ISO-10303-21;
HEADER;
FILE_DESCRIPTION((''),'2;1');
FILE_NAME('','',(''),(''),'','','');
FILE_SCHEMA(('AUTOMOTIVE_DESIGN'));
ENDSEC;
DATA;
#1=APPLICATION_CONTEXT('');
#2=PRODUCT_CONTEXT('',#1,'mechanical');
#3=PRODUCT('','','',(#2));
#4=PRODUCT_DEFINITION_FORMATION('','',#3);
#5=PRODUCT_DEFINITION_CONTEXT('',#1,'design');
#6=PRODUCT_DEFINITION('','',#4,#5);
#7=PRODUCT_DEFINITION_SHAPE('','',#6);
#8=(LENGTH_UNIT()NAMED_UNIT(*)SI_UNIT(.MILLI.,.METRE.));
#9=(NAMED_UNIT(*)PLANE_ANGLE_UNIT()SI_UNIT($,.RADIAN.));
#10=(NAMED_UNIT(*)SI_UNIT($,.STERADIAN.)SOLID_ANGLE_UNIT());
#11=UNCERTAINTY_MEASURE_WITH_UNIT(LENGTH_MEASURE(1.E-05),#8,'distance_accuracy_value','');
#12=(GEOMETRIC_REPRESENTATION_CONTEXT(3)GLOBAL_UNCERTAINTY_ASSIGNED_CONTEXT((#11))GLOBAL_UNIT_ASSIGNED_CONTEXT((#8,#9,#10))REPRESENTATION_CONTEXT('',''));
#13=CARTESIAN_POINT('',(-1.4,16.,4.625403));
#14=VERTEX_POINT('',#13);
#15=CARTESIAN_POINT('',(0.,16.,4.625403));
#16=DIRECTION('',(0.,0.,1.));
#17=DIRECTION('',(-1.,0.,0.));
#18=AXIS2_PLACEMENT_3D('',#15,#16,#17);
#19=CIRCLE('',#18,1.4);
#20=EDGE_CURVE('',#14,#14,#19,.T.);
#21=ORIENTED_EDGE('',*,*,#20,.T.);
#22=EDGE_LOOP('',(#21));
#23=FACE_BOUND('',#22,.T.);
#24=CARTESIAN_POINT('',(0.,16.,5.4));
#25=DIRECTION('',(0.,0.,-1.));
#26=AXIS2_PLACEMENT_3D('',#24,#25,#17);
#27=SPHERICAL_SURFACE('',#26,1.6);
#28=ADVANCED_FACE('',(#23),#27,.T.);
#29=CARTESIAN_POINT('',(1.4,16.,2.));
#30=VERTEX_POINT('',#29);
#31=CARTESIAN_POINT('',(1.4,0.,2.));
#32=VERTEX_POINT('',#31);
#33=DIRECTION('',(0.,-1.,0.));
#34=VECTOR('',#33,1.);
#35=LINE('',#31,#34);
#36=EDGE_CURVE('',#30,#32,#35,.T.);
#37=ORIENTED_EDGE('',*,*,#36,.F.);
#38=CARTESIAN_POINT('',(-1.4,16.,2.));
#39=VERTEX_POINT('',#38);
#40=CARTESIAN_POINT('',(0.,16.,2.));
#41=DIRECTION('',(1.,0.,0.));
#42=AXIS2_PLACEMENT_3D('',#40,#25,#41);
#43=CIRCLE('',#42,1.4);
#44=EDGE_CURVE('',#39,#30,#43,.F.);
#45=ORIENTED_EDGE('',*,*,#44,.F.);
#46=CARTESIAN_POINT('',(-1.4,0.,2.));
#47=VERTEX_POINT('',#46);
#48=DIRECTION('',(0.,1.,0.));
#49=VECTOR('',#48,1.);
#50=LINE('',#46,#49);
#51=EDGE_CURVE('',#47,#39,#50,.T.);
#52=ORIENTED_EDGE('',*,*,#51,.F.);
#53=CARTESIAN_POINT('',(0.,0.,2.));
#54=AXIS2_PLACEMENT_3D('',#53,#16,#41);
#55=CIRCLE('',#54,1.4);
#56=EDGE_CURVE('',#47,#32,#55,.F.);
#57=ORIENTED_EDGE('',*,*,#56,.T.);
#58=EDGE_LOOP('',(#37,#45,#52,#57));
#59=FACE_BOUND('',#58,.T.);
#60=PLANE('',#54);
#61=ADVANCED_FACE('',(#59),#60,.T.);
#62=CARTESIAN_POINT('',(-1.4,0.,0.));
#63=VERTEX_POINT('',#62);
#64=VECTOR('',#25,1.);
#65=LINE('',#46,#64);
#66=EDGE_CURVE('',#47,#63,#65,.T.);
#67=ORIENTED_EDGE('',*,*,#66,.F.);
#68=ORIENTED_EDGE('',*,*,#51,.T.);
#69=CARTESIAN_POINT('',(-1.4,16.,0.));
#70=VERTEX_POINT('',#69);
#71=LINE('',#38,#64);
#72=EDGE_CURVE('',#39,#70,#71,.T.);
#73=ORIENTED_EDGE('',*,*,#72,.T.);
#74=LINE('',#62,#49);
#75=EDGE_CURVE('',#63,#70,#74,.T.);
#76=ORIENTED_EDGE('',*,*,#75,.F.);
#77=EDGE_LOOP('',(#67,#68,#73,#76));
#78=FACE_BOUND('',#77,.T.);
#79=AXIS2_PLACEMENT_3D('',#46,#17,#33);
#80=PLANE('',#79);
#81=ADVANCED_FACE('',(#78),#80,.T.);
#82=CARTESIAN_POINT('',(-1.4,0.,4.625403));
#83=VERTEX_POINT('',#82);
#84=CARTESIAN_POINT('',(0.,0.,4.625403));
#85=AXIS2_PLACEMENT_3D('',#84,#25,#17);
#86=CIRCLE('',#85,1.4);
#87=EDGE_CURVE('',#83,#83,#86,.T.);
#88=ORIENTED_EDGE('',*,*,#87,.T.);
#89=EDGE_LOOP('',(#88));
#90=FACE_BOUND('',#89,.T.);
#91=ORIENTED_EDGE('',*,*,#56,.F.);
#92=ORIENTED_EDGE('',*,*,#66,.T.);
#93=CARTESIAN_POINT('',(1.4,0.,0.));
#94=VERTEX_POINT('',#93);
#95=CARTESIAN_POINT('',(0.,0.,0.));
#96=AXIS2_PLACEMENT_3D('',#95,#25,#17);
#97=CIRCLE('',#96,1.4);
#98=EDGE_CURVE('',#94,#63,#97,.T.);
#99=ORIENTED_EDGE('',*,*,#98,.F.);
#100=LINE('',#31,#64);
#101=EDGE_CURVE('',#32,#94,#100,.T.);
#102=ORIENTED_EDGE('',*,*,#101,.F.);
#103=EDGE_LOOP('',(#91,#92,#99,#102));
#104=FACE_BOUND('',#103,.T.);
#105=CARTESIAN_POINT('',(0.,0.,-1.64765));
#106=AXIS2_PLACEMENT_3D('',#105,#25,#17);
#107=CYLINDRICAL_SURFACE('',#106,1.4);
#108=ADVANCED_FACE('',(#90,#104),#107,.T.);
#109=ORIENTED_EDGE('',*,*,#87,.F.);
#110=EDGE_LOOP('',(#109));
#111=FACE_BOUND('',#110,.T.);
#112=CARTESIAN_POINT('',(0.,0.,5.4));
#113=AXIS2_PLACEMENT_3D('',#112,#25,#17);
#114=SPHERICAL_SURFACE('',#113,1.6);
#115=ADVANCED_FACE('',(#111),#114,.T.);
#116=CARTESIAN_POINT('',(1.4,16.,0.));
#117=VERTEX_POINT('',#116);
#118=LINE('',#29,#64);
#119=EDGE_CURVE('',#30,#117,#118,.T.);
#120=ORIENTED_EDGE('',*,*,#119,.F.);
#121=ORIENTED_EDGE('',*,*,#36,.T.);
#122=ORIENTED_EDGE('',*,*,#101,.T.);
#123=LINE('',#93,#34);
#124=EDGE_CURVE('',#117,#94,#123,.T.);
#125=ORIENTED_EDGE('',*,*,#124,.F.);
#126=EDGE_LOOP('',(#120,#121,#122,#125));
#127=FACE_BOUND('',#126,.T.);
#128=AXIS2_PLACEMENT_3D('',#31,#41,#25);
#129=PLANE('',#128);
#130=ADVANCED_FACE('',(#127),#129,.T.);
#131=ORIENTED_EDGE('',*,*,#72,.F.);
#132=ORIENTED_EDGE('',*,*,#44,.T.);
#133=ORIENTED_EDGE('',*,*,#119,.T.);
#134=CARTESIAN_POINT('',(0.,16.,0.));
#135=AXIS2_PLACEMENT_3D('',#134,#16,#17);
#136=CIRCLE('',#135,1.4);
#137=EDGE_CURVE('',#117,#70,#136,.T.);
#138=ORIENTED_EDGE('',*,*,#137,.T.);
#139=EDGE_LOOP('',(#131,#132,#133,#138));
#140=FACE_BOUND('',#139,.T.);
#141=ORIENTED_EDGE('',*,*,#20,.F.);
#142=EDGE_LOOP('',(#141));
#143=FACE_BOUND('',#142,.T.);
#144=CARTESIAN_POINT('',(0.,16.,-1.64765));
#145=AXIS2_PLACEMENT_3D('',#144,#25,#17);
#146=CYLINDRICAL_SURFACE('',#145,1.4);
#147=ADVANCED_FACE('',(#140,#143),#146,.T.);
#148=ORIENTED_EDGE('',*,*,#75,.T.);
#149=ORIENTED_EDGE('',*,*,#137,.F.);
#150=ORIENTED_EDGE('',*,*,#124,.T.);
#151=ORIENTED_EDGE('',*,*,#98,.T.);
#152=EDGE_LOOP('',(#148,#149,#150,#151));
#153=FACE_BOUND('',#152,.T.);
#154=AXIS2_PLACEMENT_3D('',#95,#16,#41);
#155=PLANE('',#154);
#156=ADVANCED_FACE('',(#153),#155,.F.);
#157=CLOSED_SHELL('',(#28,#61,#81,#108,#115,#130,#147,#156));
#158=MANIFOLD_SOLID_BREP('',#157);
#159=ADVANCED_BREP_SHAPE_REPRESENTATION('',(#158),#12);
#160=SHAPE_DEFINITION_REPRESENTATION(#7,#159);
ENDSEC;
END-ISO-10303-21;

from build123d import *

# Parameters (mm, degrees)
SKETCH_5_W      = 2.8
SKETCH_5_H      = 8
EXTRUDE_1_DEPTH = 2


with BuildPart() as part:
    # 草图4 → 旋转1 (revolve)
    with BuildSketch(Plane(origin=(0, 0, 0), x_dir=(1, 0, 0), z_dir=(0, 1, 0))):
        with BuildLine():
            Line((0, -3.8), (0, 0))
            Line((0, 0), (-1.4, 0))
            Line((-1.4, 0), (-1.4, -4.625403331))
            ThreePointArc((-1.4, -4.625403331), (-0.812602403, -4.021712173), (0, -3.8))
        make_face()
        with BuildLine():
            Line((-1.4, -6.174596669), (-1.4, -4.625403331))
            ThreePointArc((-1.4, -4.625403331), (-1.6, -5.4), (-1.4, -6.174596669))
        make_face()
        with BuildLine():
            Line((0, -7), (0, -3.8))
            ThreePointArc((0, -3.8), (-0.812602403, -4.021712173), (-1.4, -4.625403331))
            Line((-1.4, -4.625403331), (-1.4, -6.174596669))
            ThreePointArc((-1.4, -6.174596669), (-0.812602403, -6.778287827), (0, -7))
        make_face()
    revolve(axis=Axis((0, 0, -1.647649903), (0, 0, 1)))

    # 草图5 → 凸台-拉伸1 (add)
    with BuildSketch(Plane(origin=(0, 0, 0), x_dir=(-1, 0, 0), z_dir=(0, 0, -1))):
        with Locations((0, 4)):
            Rectangle(SKETCH_5_W, SKETCH_5_H)
    extrude(amount=-EXTRUDE_1_DEPTH)

    # 镜向1: part across plane


with BuildPart() as part_1:
    add(part.part)
    add(part.part.mirror(Plane(origin=(1.4, 8, 2), x_dir=(0, 0, 1), z_dir=(0, 1, 0))))


solid = part_1.part
